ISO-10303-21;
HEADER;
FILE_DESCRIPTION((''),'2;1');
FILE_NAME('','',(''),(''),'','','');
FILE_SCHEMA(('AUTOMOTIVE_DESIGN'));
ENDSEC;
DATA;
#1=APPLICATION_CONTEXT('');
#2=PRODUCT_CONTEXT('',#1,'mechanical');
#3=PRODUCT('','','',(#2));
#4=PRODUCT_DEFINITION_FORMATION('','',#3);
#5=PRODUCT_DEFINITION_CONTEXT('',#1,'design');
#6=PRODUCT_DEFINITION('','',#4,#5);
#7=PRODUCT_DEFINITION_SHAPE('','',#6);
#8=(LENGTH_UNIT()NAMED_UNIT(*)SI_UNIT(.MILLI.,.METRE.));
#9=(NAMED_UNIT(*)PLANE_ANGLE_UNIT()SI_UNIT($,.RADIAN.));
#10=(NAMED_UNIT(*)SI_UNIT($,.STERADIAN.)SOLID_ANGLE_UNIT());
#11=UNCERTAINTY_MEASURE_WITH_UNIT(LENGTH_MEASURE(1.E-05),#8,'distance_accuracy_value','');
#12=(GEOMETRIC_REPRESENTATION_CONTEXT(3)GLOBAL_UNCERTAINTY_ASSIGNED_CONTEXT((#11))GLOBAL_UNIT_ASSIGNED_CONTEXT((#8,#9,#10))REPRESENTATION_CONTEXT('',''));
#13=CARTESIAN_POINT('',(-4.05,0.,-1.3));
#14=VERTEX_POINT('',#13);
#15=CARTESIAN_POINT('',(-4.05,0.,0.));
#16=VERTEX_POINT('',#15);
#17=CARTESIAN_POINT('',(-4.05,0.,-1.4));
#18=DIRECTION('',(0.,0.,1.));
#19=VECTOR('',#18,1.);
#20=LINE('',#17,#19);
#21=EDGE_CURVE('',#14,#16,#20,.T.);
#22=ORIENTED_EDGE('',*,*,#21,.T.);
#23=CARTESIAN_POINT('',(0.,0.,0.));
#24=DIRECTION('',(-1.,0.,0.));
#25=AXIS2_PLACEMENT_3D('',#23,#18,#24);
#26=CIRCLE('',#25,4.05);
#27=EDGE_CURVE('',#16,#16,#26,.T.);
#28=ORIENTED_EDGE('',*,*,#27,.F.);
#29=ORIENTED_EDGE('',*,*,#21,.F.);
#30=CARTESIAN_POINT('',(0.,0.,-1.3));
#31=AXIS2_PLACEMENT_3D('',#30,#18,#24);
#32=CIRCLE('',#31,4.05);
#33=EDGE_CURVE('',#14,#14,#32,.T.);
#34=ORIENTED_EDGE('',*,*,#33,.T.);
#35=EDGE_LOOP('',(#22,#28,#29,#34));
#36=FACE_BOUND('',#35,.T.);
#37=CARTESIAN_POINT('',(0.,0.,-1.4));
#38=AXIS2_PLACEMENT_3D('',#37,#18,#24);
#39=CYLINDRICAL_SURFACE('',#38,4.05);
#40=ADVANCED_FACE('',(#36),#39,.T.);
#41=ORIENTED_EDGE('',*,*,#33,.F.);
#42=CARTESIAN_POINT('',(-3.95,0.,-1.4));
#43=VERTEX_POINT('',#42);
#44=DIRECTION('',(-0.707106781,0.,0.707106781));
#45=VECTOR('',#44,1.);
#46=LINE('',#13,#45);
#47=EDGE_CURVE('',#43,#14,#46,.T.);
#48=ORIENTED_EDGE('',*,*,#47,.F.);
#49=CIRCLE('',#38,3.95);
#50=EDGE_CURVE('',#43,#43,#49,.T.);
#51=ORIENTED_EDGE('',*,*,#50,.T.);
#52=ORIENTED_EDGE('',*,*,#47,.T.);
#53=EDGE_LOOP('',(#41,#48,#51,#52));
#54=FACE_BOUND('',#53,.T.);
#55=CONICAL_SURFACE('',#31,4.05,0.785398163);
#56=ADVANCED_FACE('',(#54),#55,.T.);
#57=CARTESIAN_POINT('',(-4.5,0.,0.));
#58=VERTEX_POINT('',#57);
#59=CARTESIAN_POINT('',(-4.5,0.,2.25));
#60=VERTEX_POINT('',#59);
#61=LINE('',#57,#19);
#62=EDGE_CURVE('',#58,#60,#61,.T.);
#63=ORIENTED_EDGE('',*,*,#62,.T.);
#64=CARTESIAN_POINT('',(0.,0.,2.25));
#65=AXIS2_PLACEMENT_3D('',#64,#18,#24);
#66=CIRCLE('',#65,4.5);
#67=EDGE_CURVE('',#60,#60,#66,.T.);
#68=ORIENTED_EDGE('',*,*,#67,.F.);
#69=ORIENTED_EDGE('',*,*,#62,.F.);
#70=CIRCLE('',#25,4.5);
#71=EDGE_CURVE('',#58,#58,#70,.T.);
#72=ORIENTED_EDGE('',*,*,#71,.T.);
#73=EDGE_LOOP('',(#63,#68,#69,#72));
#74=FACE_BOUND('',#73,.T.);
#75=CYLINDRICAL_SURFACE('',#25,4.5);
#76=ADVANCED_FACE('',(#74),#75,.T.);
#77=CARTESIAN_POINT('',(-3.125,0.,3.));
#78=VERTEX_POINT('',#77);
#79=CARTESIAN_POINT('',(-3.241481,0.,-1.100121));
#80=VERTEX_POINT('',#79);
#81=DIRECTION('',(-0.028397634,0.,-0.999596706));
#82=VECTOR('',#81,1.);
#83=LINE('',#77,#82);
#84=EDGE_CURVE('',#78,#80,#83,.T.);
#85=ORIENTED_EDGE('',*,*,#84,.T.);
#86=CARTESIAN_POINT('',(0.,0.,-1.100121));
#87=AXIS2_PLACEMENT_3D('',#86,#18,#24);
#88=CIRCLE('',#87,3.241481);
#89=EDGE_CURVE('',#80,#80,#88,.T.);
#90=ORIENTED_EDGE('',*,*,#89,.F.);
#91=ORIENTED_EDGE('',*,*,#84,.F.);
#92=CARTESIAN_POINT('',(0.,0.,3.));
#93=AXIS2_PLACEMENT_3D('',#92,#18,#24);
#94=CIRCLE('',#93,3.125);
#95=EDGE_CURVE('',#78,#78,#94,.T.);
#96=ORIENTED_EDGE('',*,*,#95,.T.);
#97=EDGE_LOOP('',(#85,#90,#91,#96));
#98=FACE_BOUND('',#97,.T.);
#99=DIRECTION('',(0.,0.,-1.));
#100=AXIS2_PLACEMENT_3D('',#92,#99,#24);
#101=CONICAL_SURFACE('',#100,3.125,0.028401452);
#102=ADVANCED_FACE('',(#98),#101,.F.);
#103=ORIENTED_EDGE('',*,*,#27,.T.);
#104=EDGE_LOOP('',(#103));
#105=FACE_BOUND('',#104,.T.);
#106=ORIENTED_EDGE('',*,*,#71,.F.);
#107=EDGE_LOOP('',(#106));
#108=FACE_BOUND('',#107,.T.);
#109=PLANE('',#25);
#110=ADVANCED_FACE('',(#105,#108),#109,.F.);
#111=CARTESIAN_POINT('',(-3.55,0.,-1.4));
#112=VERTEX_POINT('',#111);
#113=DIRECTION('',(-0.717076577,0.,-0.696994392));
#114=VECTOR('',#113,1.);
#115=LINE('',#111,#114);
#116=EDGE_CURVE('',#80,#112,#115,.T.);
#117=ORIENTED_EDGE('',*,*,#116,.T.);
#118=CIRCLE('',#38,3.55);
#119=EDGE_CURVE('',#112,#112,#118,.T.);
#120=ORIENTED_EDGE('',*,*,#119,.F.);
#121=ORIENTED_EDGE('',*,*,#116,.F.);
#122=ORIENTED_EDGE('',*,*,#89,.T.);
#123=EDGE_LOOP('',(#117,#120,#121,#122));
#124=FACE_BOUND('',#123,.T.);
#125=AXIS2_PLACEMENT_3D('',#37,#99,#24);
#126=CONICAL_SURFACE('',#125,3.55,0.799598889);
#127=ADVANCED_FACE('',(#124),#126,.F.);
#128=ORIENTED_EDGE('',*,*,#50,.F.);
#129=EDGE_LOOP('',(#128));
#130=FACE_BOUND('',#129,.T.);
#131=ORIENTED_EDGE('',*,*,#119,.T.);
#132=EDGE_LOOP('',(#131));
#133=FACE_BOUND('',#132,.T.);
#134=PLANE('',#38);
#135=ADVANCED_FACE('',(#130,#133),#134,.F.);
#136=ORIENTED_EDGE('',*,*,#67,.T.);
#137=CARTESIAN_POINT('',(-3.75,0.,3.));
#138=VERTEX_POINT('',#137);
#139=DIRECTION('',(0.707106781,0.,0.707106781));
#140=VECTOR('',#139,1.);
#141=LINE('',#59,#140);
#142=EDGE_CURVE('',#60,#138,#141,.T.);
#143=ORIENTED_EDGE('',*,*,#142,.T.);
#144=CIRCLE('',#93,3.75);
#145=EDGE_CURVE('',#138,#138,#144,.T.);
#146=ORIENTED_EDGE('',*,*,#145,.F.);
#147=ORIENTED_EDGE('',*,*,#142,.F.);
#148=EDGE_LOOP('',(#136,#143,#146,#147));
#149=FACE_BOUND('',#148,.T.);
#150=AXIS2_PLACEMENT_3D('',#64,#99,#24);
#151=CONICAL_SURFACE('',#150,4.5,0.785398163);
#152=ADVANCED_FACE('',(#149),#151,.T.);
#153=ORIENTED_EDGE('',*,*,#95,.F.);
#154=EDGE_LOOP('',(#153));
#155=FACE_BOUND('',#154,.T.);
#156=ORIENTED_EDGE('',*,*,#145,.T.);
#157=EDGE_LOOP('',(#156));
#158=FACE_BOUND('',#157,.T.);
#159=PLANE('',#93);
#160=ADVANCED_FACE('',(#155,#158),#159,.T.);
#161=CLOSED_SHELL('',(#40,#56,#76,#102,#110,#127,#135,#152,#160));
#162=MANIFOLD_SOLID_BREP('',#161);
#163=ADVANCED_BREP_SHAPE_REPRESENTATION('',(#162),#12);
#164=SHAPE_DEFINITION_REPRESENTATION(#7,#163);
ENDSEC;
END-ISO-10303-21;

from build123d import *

# Parameters (mm, degrees)
CHAMFER_SIZE    = 0.75
CHAMFER001_SIZE = 0.3
CHAMFER002_SIZE = 0.1


with BuildPart() as part:
    # Sketch → Revolution (revolve)
    with BuildSketch(Plane.XZ):
        Polygon((-4.5, 0), (-4.5, 3), (-3.125, 3), (-3.25, -1.4), (-4.05, -1.4), (-4.05, 0), align=None)
    revolve(axis=Axis((0, 0, 0), (0, 0, 1)))

    # Chamfer
    chamfer_edges = [part.edges().sort_by_distance(p)[0] for p in [
        (4.5, 0, 3),
    ]]
    chamfer(chamfer_edges, length=CHAMFER_SIZE)

    # Chamfer001
    chamfer001_edges = [part.edges().sort_by_distance(p)[0] for p in [
        (3.25, 0, -1.4),
    ]]
    chamfer(chamfer001_edges, length=CHAMFER001_SIZE)

    # Chamfer002
    chamfer002_edges = [part.edges().sort_by_distance(p)[0] for p in [
        (4.05, 0, -1.4),
    ]]
    chamfer(chamfer002_edges, length=CHAMFER002_SIZE)


solid = part.part
